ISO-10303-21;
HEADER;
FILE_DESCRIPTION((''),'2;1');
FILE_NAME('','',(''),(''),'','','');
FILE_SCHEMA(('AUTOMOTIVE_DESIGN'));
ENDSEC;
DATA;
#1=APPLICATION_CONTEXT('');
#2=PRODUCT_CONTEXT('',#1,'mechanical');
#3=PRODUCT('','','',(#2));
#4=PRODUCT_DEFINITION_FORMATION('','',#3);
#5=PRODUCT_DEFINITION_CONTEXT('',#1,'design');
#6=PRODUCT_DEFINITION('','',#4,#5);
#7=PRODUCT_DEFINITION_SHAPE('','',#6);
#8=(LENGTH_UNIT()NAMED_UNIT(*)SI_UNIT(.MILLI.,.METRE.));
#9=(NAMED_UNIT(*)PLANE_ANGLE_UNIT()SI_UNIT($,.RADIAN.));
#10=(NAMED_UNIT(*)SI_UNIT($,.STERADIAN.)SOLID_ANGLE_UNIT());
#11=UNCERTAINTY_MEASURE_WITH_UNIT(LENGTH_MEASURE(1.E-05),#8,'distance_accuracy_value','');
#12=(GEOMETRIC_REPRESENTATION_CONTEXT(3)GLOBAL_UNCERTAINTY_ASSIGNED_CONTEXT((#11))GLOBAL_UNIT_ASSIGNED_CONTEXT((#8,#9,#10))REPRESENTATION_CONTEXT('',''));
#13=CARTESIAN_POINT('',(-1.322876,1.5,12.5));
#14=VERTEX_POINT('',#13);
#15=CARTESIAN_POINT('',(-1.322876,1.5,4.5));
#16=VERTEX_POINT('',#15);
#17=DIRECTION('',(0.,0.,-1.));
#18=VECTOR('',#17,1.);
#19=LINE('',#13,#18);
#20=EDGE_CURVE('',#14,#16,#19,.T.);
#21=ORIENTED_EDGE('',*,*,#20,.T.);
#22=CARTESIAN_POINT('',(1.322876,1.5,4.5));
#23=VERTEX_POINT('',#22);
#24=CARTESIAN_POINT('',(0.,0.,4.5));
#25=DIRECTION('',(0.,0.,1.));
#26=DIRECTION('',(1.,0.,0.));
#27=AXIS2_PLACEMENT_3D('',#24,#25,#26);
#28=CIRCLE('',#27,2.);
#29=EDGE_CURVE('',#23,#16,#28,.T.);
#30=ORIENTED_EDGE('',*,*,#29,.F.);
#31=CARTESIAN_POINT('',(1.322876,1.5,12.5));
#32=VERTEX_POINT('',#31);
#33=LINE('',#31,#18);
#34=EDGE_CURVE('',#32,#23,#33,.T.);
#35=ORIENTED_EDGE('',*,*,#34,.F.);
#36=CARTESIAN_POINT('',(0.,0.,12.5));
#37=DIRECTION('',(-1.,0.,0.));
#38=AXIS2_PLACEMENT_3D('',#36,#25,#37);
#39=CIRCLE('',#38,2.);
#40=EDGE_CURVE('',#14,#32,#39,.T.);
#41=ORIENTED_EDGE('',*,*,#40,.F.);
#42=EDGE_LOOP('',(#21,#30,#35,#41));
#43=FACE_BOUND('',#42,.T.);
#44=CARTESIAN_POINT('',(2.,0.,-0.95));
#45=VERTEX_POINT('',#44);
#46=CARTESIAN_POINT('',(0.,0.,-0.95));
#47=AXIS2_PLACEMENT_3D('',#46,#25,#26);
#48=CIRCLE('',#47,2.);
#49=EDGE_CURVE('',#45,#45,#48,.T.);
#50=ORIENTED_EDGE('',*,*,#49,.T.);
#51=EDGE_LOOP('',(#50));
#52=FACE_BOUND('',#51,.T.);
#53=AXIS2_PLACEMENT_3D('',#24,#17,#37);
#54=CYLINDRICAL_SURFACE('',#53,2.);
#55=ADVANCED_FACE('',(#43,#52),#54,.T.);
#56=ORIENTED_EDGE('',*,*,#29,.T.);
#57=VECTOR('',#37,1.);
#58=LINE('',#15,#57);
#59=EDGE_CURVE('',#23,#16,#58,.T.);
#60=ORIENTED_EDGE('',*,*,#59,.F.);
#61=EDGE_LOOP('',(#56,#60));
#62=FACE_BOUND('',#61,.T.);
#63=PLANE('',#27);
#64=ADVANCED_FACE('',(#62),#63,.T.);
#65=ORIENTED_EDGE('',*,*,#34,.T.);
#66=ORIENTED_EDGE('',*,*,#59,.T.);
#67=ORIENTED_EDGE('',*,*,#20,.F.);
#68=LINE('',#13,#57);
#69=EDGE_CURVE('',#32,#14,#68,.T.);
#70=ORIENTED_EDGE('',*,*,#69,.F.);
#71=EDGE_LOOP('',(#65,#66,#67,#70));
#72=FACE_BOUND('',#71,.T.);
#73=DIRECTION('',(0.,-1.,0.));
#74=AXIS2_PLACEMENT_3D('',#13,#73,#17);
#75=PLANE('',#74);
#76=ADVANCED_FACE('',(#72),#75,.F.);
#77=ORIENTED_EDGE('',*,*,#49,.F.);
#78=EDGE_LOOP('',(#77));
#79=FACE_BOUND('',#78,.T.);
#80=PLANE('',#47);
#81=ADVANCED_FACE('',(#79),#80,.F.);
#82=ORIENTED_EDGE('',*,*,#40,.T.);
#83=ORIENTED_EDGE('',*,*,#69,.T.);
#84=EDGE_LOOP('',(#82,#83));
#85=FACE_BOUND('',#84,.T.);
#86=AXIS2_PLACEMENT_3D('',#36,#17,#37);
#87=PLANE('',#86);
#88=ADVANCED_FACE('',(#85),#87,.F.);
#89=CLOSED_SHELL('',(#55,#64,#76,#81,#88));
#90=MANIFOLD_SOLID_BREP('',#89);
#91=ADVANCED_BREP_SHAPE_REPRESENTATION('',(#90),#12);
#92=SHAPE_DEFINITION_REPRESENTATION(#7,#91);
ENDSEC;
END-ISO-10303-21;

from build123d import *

# Parameters (mm, degrees)
F_01_START                                    = -0.95
S01_ROUND_ROOT_OF_MOTOR_SHAFT_R               = 2
F_01_ROUND_ROOT_OF_MOTOR_SHAFT_DEPTH          = 5.45
F_02_START                                    = 4.5
F_02_4_MM_SHAFT_WITH_3_5_MM_ACROSS_FLAT_DEPTH = 8


with BuildPart() as part:
    # S01 - Round root of motor shaft → 01 - Round root of motor shaft (new body)
    with BuildSketch(Plane.XY.offset(F_01_START)):
        Circle(S01_ROUND_ROOT_OF_MOTOR_SHAFT_R)
    extrude(amount=F_01_ROUND_ROOT_OF_MOTOR_SHAFT_DEPTH)

    # S02 - 4 mm shaft with 3.5 mm across flat → 02 - 4 mm shaft with 3.5 mm across flat (add)
    with BuildSketch(Plane.XY.offset(F_02_START)):
        with BuildLine():
            Line((-1.322875656, 1.5), (1.322875656, 1.5))
            ThreePointArc((1.322875656, 1.5), (0, -2), (-1.322875656, 1.5))
        make_face()
    extrude(amount=F_02_4_MM_SHAFT_WITH_3_5_MM_ACROSS_FLAT_DEPTH)


solid = part.part
